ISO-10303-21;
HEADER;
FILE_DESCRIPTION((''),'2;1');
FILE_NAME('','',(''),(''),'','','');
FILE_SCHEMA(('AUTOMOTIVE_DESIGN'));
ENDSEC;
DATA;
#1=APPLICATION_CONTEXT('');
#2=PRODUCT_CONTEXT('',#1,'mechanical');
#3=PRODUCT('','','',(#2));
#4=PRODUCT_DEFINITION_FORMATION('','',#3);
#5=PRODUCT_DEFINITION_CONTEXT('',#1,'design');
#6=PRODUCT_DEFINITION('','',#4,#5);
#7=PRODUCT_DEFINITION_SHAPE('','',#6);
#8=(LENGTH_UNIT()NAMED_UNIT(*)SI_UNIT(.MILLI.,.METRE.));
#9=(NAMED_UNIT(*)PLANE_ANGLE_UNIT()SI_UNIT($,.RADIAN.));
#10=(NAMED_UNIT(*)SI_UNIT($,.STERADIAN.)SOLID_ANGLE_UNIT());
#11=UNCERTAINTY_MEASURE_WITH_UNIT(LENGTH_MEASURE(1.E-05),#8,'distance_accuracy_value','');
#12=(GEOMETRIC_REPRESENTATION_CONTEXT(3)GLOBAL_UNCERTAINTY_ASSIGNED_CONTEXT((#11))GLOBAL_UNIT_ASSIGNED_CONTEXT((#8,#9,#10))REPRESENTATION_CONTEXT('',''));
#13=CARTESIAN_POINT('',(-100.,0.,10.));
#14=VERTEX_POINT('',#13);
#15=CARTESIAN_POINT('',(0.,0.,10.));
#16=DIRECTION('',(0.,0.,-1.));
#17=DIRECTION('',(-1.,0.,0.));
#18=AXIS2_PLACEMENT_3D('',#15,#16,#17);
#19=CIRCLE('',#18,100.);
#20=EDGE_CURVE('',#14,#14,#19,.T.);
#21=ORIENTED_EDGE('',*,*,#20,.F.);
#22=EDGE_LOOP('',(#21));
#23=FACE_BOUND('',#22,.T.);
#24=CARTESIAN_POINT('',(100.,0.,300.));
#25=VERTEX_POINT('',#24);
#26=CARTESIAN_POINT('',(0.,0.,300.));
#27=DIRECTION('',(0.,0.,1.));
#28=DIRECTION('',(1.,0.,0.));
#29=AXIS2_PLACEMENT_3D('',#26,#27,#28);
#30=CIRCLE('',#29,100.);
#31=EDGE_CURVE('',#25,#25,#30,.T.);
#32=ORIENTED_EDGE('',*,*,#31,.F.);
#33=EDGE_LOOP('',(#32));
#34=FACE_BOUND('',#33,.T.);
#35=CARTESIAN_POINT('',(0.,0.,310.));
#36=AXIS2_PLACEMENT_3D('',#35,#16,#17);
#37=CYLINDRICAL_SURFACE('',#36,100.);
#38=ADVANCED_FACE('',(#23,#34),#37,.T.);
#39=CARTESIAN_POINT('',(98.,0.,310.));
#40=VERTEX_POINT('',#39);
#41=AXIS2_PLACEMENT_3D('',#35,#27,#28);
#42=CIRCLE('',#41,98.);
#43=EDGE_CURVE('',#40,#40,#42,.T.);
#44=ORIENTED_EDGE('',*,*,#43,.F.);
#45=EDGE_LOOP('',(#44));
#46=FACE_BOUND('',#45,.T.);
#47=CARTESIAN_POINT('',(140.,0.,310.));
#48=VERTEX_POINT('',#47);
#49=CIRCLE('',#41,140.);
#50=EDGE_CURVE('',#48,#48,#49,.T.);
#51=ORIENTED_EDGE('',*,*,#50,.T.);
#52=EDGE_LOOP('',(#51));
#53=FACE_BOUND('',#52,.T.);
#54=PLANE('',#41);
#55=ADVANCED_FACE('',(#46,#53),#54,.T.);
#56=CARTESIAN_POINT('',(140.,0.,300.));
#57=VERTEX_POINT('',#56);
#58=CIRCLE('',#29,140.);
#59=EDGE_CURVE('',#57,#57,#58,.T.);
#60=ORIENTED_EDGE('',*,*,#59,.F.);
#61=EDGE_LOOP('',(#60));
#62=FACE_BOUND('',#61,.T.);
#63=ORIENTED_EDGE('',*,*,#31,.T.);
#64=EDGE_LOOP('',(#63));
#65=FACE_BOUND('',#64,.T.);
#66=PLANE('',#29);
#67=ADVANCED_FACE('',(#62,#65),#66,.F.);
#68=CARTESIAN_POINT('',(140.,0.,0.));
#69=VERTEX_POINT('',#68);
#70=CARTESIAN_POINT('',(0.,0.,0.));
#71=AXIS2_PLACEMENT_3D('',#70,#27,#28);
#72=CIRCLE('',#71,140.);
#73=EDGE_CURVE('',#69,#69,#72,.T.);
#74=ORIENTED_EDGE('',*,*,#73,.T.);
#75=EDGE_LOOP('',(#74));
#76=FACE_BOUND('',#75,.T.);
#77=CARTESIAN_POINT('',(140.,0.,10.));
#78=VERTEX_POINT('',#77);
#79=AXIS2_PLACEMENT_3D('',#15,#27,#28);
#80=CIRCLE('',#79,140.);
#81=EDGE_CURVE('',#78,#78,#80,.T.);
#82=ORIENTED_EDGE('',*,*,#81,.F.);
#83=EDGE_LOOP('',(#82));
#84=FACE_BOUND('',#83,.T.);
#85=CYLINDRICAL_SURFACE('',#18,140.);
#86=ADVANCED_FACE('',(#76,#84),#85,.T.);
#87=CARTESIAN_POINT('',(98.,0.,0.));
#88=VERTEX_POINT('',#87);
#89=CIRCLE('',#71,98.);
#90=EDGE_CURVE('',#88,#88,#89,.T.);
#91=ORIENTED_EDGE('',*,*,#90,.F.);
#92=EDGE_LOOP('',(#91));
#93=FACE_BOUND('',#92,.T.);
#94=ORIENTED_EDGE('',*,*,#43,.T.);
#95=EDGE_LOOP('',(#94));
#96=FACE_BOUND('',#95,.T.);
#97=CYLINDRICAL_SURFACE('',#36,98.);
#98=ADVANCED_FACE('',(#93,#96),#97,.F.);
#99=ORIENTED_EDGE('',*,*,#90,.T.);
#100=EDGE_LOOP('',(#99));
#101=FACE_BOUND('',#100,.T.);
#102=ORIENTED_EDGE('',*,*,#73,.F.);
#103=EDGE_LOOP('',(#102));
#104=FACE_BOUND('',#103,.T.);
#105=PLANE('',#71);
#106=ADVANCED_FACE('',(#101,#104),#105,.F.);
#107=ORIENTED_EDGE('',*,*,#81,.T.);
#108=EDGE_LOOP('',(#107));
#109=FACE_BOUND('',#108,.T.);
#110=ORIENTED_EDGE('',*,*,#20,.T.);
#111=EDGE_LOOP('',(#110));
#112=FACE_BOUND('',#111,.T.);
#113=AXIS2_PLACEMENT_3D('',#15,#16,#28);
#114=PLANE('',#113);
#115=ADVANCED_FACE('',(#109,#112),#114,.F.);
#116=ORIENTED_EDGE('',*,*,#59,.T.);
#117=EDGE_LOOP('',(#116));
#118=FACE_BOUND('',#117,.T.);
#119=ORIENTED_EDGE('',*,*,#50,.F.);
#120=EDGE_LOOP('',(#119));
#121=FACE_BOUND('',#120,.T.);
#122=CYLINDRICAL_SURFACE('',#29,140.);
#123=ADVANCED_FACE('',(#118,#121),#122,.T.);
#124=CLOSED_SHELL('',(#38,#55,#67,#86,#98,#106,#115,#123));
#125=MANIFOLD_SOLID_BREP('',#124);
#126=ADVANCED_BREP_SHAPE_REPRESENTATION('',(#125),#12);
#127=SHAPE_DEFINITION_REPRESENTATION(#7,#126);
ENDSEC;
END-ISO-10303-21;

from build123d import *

# Parameters (mm, degrees)
SKETCH2_R           = 100
SKETCH2_R_2         = 98
EXTRUDE_THIN1_DEPTH = 310
SKETCH3_R           = 140
SKETCH3_R_2         = 100
BOSS_EXTRUDE1_DEPTH = 10


with BuildPart() as part:
    # Sketch2 → Extrude-Thin1 (new body)
    with BuildSketch(Plane.XY):
        Circle(SKETCH2_R)
        Circle(SKETCH2_R_2, mode=Mode.SUBTRACT)
    extrude(amount=EXTRUDE_THIN1_DEPTH)

    # Sketch3 → Boss-Extrude1 (add)
    with BuildSketch(Plane.XY.offset(310)):
        Circle(SKETCH3_R)
        Circle(SKETCH3_R_2, mode=Mode.SUBTRACT)
    boss_extrude1 = extrude(amount=-BOSS_EXTRUDE1_DEPTH)

    # Mirror1: Boss-Extrude1 across plane
    add(boss_extrude1.mirror(Plane.XY.offset(155)))


solid = part.part
